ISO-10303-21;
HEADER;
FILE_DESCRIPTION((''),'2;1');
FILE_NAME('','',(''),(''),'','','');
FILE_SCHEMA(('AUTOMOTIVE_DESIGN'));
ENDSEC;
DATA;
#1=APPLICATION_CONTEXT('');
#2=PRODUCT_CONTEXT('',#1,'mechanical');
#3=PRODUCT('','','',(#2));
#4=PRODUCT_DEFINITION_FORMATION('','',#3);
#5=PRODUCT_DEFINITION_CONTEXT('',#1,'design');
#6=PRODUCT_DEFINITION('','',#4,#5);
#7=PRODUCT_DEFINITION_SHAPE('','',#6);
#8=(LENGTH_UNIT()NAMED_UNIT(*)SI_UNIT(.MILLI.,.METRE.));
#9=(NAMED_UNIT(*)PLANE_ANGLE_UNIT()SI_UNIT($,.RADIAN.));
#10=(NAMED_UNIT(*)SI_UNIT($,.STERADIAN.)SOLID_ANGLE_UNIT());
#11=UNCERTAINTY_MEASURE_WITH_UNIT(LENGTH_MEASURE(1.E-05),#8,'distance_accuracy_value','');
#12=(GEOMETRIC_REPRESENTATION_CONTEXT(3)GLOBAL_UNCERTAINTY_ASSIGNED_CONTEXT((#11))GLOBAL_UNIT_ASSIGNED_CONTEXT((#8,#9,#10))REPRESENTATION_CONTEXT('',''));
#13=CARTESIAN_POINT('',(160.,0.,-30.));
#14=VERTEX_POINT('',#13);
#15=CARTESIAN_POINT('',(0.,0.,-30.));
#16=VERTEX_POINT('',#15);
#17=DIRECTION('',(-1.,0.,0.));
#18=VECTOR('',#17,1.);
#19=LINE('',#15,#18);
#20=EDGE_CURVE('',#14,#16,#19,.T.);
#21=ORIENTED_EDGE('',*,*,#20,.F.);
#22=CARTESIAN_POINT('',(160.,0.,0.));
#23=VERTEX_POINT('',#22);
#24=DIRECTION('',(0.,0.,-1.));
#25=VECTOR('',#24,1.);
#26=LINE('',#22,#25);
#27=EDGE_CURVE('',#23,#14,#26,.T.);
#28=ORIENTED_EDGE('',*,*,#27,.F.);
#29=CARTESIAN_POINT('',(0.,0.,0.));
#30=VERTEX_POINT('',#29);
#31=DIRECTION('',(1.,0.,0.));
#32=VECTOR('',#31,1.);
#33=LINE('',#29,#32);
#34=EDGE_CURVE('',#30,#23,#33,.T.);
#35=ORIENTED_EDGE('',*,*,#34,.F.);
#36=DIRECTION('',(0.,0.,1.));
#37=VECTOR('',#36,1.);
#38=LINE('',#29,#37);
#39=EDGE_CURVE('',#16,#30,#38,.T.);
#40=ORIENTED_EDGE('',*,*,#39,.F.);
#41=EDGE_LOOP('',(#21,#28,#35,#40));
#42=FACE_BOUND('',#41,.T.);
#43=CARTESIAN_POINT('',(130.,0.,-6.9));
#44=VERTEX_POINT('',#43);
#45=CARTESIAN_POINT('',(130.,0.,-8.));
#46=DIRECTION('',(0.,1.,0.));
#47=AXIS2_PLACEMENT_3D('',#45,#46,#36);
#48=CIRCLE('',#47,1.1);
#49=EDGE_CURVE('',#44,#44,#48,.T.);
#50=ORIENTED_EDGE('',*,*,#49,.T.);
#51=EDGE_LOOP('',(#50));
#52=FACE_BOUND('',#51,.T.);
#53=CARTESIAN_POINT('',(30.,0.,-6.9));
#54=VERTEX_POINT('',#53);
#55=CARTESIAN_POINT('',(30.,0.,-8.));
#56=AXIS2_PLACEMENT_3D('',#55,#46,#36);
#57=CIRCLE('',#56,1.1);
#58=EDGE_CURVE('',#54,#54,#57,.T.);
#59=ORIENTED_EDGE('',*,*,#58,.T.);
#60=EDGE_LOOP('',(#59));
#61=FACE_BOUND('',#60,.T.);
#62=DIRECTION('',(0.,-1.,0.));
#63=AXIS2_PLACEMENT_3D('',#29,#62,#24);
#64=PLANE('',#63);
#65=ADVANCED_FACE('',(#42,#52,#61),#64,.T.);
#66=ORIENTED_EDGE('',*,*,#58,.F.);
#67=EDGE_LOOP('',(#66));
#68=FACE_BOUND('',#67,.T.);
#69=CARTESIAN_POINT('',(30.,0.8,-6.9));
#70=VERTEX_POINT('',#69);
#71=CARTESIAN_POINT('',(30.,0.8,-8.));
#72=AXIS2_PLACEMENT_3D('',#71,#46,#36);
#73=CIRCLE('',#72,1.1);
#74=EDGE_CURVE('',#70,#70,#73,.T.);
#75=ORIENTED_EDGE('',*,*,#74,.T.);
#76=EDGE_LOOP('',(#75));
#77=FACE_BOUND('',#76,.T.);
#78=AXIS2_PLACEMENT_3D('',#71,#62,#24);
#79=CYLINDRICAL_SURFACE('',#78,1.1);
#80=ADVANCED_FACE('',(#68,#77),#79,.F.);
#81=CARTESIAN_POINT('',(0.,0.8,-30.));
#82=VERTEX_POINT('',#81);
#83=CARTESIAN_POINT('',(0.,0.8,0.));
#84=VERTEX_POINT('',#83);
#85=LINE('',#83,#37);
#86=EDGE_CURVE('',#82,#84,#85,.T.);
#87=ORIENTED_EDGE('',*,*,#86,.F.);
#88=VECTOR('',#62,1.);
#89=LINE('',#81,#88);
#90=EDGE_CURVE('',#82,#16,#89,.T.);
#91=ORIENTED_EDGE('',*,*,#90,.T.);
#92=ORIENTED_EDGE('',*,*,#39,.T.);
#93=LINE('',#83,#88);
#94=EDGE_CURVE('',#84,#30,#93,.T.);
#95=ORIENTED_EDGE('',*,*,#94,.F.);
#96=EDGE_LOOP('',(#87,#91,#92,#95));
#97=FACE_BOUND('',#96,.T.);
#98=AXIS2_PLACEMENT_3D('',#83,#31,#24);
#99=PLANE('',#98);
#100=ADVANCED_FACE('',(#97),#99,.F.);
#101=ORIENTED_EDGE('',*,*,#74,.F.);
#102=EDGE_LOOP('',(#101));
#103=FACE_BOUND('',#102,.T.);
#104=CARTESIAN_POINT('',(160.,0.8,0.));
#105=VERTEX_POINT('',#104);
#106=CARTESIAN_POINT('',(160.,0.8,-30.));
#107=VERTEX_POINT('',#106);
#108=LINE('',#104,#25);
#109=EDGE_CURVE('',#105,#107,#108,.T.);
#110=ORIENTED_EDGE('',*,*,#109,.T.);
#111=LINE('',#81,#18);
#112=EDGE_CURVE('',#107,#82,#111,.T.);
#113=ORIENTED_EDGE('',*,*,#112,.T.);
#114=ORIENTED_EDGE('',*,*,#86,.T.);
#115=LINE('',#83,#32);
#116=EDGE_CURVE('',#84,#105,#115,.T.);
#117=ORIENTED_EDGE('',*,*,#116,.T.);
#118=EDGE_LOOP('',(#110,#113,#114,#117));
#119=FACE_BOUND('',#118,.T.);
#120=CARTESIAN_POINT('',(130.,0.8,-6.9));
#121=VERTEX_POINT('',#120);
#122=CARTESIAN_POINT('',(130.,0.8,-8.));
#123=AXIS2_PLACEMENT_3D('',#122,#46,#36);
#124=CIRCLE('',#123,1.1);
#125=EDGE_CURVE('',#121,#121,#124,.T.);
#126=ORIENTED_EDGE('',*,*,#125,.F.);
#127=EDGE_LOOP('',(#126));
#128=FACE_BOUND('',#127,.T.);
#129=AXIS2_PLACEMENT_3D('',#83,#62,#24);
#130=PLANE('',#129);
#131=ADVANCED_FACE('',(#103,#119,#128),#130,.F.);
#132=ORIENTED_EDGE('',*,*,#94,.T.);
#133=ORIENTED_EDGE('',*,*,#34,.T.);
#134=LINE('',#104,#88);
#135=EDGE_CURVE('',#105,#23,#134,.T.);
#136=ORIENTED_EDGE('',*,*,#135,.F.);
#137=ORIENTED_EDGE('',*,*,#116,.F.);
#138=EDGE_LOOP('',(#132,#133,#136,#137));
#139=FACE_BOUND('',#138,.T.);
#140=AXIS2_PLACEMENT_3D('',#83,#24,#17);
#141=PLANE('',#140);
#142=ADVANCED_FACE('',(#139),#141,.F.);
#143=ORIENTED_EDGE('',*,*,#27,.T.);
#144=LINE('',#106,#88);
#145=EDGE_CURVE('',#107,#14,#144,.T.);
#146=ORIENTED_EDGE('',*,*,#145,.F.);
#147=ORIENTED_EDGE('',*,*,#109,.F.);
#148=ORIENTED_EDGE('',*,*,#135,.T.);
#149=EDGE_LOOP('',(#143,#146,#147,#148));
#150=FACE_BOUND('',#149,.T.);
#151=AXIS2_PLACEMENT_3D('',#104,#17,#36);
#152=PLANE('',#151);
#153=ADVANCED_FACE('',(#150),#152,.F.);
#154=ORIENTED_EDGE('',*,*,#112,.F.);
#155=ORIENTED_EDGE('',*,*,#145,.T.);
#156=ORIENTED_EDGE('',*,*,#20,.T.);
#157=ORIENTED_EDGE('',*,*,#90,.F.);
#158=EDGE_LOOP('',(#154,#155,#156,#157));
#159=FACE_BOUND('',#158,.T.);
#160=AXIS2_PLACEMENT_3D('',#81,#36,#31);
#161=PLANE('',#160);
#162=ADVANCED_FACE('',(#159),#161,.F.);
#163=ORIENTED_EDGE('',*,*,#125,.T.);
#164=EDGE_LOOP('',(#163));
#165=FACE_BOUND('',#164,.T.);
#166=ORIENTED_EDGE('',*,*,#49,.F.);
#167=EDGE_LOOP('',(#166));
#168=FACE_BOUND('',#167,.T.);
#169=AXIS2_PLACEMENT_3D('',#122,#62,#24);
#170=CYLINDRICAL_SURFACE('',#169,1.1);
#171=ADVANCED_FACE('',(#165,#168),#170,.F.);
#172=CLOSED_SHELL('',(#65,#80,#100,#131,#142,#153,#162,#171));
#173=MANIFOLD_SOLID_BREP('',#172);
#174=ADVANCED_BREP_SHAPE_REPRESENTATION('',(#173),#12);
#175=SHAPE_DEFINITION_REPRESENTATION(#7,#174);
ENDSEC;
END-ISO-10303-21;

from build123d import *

# Parameters (mm, degrees)
SKETCH1_W           = 160
SKETCH1_H           = 30
SKETCH1_R           = 1.1
BOSS_EXTRUDE1_DEPTH = 0.8


with BuildPart() as part:
    # Sketch1 → Boss-Extrude1 (new body)
    with BuildSketch(Plane(origin=(0, 0, 0), x_dir=(1, 0, 0), z_dir=(0, 1, 0))):
        with Locations((80, 15)):
            Rectangle(SKETCH1_W, SKETCH1_H)
        with Locations((30, 8)):
            Circle(SKETCH1_R, mode=Mode.SUBTRACT)
        with Locations((130, 8)):
            Circle(SKETCH1_R, mode=Mode.SUBTRACT)
    extrude(amount=BOSS_EXTRUDE1_DEPTH)


solid = part.part
